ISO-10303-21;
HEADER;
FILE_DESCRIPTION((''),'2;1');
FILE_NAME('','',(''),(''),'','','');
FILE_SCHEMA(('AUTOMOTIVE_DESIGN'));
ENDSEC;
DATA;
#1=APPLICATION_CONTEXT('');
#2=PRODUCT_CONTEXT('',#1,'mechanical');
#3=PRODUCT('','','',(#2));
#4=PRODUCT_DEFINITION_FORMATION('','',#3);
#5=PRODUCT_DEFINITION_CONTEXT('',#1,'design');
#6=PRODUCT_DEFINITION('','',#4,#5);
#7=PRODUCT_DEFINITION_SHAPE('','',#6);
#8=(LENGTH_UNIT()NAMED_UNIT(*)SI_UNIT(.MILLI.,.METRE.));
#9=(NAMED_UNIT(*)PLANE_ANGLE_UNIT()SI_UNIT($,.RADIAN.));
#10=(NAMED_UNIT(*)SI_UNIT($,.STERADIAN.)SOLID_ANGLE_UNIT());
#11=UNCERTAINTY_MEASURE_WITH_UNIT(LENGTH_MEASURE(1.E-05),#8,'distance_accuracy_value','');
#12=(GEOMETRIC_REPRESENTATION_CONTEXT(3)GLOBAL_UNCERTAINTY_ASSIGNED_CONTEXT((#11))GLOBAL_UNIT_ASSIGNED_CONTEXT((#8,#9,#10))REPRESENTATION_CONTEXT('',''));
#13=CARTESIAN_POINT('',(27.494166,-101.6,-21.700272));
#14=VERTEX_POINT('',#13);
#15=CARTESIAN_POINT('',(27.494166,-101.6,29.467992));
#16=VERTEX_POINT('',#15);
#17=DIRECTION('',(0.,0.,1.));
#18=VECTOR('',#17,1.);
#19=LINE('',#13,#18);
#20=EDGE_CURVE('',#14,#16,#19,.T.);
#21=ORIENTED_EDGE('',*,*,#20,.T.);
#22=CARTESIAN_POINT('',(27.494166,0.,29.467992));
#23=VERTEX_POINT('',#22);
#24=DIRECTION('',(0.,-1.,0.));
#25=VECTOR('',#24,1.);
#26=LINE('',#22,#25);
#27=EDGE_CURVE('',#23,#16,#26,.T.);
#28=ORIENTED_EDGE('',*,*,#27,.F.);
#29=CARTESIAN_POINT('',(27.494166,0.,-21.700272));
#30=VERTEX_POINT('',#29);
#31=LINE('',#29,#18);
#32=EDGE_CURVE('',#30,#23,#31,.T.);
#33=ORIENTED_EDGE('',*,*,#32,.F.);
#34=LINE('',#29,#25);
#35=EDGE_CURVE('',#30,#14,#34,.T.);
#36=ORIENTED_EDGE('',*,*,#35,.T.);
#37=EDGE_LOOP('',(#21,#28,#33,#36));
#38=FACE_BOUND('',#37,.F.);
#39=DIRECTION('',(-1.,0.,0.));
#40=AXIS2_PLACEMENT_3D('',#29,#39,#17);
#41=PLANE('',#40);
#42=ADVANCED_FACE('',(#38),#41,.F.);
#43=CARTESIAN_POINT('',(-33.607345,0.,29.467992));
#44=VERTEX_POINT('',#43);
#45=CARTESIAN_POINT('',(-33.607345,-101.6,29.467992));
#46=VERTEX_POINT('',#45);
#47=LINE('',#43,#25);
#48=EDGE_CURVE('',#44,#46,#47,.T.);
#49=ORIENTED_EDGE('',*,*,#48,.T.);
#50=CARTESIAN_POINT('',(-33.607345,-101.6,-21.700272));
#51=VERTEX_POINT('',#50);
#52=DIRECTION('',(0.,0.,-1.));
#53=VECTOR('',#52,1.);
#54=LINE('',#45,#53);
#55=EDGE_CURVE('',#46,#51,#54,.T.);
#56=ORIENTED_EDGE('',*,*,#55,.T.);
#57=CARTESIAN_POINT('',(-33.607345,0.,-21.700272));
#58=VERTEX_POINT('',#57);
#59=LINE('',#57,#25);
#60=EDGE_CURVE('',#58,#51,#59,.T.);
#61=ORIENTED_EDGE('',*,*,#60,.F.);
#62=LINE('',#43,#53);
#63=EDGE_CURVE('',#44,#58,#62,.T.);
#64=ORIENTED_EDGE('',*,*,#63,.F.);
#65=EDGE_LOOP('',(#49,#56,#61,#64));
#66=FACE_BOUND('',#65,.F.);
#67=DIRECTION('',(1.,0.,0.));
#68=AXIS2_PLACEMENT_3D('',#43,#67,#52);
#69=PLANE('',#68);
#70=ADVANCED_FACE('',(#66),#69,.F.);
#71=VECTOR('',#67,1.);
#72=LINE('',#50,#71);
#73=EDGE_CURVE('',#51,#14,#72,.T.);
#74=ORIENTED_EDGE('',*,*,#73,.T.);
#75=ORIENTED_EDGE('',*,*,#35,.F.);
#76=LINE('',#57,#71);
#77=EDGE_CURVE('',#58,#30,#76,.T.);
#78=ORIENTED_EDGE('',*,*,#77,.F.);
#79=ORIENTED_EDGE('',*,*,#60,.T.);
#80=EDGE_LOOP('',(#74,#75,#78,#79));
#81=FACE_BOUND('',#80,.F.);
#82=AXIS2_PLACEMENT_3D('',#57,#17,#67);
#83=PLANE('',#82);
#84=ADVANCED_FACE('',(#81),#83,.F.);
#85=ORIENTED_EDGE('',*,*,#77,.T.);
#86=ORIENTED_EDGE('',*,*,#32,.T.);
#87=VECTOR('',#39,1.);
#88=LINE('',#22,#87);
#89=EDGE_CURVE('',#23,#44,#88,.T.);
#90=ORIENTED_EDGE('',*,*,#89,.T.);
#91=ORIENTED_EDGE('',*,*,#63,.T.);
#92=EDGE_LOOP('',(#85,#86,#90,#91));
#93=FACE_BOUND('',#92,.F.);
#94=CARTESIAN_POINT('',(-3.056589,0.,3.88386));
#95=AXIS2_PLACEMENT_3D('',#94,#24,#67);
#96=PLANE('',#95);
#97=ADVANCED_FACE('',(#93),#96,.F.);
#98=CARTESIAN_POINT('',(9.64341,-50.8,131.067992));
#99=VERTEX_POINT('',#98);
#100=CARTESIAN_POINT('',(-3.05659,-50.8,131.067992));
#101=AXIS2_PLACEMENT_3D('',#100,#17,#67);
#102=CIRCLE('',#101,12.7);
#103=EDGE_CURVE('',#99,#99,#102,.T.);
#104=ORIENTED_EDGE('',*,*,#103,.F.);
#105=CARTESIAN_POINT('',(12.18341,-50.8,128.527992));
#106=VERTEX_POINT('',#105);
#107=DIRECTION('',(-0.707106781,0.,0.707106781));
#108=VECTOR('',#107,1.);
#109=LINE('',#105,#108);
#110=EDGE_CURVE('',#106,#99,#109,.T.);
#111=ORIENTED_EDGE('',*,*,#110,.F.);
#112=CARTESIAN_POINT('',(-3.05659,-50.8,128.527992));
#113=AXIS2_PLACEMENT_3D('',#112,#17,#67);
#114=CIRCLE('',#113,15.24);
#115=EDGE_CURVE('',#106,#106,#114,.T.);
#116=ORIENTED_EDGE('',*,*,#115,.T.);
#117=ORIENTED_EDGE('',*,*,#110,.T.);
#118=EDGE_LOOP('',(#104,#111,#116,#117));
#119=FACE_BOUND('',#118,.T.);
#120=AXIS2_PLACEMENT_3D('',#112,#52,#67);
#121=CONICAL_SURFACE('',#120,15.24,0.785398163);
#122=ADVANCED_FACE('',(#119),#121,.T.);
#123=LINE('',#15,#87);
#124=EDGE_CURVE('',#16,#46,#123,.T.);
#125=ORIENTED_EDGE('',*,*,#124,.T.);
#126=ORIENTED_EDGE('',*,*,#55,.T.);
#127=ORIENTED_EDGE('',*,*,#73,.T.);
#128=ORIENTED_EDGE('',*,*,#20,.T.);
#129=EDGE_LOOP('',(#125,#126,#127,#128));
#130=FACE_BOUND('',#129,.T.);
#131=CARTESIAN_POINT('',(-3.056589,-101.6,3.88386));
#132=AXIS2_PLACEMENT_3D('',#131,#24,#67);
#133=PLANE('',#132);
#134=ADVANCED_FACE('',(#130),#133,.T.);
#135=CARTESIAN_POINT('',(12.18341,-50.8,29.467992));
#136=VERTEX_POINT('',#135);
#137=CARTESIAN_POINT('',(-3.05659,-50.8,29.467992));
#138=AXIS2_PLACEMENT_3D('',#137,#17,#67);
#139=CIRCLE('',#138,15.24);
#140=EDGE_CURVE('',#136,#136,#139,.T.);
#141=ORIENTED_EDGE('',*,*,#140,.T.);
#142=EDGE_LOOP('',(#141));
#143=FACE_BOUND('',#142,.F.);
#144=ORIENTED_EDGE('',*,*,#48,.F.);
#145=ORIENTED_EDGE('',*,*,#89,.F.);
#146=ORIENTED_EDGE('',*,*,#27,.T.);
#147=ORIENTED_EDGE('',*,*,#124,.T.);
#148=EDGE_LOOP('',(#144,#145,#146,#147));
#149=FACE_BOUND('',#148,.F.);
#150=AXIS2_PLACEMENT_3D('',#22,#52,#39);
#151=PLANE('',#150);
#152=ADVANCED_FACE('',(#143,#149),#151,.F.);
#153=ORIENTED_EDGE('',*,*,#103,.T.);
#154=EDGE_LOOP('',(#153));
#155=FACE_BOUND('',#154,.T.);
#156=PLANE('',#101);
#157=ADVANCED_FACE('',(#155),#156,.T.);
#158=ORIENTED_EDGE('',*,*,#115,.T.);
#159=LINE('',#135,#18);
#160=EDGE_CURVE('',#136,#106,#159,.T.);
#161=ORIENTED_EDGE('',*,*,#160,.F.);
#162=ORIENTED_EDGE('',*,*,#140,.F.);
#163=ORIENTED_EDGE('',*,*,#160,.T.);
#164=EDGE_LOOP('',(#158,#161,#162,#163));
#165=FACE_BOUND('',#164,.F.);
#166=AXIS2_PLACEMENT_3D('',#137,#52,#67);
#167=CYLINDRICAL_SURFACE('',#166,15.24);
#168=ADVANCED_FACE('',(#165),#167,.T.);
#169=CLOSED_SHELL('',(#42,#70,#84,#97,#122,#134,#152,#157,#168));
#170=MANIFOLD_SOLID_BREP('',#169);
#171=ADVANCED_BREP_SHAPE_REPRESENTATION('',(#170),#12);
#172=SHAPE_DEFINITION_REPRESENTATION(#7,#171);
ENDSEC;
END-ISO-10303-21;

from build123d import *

# Parameters (mm, degrees)
F1_DEPTH = 101.6
F2_R     = 15.24
F3_DEPTH = 101.6
F4_SIZE  = 2.54


with BuildPart() as f1:
    # F0 (on Front) → F1 (new body)
    with BuildSketch(Plane.XZ):
        Polygon((27.494166, 29.467992), (0, 29.467992), (-33.607345, 29.467992), (-33.607345, -21.700272), (27.494166, -21.700272), align=None)
    extrude(amount=F1_DEPTH)

    # F2 (on face) → F3 (join)
    with BuildSketch(Plane.XY.offset(29.467992)):
        with Locations((-3.05659, -50.8)):
            Circle(F2_R)
    extrude(amount=F3_DEPTH)

    # F4
    f4_edges = [f1.edges().sort_by_distance(p)[0] for p in [
        (-18.29659, -50.8, 131.067992),
    ]]
    chamfer(f4_edges, length=F4_SIZE)


solid = f1.part
